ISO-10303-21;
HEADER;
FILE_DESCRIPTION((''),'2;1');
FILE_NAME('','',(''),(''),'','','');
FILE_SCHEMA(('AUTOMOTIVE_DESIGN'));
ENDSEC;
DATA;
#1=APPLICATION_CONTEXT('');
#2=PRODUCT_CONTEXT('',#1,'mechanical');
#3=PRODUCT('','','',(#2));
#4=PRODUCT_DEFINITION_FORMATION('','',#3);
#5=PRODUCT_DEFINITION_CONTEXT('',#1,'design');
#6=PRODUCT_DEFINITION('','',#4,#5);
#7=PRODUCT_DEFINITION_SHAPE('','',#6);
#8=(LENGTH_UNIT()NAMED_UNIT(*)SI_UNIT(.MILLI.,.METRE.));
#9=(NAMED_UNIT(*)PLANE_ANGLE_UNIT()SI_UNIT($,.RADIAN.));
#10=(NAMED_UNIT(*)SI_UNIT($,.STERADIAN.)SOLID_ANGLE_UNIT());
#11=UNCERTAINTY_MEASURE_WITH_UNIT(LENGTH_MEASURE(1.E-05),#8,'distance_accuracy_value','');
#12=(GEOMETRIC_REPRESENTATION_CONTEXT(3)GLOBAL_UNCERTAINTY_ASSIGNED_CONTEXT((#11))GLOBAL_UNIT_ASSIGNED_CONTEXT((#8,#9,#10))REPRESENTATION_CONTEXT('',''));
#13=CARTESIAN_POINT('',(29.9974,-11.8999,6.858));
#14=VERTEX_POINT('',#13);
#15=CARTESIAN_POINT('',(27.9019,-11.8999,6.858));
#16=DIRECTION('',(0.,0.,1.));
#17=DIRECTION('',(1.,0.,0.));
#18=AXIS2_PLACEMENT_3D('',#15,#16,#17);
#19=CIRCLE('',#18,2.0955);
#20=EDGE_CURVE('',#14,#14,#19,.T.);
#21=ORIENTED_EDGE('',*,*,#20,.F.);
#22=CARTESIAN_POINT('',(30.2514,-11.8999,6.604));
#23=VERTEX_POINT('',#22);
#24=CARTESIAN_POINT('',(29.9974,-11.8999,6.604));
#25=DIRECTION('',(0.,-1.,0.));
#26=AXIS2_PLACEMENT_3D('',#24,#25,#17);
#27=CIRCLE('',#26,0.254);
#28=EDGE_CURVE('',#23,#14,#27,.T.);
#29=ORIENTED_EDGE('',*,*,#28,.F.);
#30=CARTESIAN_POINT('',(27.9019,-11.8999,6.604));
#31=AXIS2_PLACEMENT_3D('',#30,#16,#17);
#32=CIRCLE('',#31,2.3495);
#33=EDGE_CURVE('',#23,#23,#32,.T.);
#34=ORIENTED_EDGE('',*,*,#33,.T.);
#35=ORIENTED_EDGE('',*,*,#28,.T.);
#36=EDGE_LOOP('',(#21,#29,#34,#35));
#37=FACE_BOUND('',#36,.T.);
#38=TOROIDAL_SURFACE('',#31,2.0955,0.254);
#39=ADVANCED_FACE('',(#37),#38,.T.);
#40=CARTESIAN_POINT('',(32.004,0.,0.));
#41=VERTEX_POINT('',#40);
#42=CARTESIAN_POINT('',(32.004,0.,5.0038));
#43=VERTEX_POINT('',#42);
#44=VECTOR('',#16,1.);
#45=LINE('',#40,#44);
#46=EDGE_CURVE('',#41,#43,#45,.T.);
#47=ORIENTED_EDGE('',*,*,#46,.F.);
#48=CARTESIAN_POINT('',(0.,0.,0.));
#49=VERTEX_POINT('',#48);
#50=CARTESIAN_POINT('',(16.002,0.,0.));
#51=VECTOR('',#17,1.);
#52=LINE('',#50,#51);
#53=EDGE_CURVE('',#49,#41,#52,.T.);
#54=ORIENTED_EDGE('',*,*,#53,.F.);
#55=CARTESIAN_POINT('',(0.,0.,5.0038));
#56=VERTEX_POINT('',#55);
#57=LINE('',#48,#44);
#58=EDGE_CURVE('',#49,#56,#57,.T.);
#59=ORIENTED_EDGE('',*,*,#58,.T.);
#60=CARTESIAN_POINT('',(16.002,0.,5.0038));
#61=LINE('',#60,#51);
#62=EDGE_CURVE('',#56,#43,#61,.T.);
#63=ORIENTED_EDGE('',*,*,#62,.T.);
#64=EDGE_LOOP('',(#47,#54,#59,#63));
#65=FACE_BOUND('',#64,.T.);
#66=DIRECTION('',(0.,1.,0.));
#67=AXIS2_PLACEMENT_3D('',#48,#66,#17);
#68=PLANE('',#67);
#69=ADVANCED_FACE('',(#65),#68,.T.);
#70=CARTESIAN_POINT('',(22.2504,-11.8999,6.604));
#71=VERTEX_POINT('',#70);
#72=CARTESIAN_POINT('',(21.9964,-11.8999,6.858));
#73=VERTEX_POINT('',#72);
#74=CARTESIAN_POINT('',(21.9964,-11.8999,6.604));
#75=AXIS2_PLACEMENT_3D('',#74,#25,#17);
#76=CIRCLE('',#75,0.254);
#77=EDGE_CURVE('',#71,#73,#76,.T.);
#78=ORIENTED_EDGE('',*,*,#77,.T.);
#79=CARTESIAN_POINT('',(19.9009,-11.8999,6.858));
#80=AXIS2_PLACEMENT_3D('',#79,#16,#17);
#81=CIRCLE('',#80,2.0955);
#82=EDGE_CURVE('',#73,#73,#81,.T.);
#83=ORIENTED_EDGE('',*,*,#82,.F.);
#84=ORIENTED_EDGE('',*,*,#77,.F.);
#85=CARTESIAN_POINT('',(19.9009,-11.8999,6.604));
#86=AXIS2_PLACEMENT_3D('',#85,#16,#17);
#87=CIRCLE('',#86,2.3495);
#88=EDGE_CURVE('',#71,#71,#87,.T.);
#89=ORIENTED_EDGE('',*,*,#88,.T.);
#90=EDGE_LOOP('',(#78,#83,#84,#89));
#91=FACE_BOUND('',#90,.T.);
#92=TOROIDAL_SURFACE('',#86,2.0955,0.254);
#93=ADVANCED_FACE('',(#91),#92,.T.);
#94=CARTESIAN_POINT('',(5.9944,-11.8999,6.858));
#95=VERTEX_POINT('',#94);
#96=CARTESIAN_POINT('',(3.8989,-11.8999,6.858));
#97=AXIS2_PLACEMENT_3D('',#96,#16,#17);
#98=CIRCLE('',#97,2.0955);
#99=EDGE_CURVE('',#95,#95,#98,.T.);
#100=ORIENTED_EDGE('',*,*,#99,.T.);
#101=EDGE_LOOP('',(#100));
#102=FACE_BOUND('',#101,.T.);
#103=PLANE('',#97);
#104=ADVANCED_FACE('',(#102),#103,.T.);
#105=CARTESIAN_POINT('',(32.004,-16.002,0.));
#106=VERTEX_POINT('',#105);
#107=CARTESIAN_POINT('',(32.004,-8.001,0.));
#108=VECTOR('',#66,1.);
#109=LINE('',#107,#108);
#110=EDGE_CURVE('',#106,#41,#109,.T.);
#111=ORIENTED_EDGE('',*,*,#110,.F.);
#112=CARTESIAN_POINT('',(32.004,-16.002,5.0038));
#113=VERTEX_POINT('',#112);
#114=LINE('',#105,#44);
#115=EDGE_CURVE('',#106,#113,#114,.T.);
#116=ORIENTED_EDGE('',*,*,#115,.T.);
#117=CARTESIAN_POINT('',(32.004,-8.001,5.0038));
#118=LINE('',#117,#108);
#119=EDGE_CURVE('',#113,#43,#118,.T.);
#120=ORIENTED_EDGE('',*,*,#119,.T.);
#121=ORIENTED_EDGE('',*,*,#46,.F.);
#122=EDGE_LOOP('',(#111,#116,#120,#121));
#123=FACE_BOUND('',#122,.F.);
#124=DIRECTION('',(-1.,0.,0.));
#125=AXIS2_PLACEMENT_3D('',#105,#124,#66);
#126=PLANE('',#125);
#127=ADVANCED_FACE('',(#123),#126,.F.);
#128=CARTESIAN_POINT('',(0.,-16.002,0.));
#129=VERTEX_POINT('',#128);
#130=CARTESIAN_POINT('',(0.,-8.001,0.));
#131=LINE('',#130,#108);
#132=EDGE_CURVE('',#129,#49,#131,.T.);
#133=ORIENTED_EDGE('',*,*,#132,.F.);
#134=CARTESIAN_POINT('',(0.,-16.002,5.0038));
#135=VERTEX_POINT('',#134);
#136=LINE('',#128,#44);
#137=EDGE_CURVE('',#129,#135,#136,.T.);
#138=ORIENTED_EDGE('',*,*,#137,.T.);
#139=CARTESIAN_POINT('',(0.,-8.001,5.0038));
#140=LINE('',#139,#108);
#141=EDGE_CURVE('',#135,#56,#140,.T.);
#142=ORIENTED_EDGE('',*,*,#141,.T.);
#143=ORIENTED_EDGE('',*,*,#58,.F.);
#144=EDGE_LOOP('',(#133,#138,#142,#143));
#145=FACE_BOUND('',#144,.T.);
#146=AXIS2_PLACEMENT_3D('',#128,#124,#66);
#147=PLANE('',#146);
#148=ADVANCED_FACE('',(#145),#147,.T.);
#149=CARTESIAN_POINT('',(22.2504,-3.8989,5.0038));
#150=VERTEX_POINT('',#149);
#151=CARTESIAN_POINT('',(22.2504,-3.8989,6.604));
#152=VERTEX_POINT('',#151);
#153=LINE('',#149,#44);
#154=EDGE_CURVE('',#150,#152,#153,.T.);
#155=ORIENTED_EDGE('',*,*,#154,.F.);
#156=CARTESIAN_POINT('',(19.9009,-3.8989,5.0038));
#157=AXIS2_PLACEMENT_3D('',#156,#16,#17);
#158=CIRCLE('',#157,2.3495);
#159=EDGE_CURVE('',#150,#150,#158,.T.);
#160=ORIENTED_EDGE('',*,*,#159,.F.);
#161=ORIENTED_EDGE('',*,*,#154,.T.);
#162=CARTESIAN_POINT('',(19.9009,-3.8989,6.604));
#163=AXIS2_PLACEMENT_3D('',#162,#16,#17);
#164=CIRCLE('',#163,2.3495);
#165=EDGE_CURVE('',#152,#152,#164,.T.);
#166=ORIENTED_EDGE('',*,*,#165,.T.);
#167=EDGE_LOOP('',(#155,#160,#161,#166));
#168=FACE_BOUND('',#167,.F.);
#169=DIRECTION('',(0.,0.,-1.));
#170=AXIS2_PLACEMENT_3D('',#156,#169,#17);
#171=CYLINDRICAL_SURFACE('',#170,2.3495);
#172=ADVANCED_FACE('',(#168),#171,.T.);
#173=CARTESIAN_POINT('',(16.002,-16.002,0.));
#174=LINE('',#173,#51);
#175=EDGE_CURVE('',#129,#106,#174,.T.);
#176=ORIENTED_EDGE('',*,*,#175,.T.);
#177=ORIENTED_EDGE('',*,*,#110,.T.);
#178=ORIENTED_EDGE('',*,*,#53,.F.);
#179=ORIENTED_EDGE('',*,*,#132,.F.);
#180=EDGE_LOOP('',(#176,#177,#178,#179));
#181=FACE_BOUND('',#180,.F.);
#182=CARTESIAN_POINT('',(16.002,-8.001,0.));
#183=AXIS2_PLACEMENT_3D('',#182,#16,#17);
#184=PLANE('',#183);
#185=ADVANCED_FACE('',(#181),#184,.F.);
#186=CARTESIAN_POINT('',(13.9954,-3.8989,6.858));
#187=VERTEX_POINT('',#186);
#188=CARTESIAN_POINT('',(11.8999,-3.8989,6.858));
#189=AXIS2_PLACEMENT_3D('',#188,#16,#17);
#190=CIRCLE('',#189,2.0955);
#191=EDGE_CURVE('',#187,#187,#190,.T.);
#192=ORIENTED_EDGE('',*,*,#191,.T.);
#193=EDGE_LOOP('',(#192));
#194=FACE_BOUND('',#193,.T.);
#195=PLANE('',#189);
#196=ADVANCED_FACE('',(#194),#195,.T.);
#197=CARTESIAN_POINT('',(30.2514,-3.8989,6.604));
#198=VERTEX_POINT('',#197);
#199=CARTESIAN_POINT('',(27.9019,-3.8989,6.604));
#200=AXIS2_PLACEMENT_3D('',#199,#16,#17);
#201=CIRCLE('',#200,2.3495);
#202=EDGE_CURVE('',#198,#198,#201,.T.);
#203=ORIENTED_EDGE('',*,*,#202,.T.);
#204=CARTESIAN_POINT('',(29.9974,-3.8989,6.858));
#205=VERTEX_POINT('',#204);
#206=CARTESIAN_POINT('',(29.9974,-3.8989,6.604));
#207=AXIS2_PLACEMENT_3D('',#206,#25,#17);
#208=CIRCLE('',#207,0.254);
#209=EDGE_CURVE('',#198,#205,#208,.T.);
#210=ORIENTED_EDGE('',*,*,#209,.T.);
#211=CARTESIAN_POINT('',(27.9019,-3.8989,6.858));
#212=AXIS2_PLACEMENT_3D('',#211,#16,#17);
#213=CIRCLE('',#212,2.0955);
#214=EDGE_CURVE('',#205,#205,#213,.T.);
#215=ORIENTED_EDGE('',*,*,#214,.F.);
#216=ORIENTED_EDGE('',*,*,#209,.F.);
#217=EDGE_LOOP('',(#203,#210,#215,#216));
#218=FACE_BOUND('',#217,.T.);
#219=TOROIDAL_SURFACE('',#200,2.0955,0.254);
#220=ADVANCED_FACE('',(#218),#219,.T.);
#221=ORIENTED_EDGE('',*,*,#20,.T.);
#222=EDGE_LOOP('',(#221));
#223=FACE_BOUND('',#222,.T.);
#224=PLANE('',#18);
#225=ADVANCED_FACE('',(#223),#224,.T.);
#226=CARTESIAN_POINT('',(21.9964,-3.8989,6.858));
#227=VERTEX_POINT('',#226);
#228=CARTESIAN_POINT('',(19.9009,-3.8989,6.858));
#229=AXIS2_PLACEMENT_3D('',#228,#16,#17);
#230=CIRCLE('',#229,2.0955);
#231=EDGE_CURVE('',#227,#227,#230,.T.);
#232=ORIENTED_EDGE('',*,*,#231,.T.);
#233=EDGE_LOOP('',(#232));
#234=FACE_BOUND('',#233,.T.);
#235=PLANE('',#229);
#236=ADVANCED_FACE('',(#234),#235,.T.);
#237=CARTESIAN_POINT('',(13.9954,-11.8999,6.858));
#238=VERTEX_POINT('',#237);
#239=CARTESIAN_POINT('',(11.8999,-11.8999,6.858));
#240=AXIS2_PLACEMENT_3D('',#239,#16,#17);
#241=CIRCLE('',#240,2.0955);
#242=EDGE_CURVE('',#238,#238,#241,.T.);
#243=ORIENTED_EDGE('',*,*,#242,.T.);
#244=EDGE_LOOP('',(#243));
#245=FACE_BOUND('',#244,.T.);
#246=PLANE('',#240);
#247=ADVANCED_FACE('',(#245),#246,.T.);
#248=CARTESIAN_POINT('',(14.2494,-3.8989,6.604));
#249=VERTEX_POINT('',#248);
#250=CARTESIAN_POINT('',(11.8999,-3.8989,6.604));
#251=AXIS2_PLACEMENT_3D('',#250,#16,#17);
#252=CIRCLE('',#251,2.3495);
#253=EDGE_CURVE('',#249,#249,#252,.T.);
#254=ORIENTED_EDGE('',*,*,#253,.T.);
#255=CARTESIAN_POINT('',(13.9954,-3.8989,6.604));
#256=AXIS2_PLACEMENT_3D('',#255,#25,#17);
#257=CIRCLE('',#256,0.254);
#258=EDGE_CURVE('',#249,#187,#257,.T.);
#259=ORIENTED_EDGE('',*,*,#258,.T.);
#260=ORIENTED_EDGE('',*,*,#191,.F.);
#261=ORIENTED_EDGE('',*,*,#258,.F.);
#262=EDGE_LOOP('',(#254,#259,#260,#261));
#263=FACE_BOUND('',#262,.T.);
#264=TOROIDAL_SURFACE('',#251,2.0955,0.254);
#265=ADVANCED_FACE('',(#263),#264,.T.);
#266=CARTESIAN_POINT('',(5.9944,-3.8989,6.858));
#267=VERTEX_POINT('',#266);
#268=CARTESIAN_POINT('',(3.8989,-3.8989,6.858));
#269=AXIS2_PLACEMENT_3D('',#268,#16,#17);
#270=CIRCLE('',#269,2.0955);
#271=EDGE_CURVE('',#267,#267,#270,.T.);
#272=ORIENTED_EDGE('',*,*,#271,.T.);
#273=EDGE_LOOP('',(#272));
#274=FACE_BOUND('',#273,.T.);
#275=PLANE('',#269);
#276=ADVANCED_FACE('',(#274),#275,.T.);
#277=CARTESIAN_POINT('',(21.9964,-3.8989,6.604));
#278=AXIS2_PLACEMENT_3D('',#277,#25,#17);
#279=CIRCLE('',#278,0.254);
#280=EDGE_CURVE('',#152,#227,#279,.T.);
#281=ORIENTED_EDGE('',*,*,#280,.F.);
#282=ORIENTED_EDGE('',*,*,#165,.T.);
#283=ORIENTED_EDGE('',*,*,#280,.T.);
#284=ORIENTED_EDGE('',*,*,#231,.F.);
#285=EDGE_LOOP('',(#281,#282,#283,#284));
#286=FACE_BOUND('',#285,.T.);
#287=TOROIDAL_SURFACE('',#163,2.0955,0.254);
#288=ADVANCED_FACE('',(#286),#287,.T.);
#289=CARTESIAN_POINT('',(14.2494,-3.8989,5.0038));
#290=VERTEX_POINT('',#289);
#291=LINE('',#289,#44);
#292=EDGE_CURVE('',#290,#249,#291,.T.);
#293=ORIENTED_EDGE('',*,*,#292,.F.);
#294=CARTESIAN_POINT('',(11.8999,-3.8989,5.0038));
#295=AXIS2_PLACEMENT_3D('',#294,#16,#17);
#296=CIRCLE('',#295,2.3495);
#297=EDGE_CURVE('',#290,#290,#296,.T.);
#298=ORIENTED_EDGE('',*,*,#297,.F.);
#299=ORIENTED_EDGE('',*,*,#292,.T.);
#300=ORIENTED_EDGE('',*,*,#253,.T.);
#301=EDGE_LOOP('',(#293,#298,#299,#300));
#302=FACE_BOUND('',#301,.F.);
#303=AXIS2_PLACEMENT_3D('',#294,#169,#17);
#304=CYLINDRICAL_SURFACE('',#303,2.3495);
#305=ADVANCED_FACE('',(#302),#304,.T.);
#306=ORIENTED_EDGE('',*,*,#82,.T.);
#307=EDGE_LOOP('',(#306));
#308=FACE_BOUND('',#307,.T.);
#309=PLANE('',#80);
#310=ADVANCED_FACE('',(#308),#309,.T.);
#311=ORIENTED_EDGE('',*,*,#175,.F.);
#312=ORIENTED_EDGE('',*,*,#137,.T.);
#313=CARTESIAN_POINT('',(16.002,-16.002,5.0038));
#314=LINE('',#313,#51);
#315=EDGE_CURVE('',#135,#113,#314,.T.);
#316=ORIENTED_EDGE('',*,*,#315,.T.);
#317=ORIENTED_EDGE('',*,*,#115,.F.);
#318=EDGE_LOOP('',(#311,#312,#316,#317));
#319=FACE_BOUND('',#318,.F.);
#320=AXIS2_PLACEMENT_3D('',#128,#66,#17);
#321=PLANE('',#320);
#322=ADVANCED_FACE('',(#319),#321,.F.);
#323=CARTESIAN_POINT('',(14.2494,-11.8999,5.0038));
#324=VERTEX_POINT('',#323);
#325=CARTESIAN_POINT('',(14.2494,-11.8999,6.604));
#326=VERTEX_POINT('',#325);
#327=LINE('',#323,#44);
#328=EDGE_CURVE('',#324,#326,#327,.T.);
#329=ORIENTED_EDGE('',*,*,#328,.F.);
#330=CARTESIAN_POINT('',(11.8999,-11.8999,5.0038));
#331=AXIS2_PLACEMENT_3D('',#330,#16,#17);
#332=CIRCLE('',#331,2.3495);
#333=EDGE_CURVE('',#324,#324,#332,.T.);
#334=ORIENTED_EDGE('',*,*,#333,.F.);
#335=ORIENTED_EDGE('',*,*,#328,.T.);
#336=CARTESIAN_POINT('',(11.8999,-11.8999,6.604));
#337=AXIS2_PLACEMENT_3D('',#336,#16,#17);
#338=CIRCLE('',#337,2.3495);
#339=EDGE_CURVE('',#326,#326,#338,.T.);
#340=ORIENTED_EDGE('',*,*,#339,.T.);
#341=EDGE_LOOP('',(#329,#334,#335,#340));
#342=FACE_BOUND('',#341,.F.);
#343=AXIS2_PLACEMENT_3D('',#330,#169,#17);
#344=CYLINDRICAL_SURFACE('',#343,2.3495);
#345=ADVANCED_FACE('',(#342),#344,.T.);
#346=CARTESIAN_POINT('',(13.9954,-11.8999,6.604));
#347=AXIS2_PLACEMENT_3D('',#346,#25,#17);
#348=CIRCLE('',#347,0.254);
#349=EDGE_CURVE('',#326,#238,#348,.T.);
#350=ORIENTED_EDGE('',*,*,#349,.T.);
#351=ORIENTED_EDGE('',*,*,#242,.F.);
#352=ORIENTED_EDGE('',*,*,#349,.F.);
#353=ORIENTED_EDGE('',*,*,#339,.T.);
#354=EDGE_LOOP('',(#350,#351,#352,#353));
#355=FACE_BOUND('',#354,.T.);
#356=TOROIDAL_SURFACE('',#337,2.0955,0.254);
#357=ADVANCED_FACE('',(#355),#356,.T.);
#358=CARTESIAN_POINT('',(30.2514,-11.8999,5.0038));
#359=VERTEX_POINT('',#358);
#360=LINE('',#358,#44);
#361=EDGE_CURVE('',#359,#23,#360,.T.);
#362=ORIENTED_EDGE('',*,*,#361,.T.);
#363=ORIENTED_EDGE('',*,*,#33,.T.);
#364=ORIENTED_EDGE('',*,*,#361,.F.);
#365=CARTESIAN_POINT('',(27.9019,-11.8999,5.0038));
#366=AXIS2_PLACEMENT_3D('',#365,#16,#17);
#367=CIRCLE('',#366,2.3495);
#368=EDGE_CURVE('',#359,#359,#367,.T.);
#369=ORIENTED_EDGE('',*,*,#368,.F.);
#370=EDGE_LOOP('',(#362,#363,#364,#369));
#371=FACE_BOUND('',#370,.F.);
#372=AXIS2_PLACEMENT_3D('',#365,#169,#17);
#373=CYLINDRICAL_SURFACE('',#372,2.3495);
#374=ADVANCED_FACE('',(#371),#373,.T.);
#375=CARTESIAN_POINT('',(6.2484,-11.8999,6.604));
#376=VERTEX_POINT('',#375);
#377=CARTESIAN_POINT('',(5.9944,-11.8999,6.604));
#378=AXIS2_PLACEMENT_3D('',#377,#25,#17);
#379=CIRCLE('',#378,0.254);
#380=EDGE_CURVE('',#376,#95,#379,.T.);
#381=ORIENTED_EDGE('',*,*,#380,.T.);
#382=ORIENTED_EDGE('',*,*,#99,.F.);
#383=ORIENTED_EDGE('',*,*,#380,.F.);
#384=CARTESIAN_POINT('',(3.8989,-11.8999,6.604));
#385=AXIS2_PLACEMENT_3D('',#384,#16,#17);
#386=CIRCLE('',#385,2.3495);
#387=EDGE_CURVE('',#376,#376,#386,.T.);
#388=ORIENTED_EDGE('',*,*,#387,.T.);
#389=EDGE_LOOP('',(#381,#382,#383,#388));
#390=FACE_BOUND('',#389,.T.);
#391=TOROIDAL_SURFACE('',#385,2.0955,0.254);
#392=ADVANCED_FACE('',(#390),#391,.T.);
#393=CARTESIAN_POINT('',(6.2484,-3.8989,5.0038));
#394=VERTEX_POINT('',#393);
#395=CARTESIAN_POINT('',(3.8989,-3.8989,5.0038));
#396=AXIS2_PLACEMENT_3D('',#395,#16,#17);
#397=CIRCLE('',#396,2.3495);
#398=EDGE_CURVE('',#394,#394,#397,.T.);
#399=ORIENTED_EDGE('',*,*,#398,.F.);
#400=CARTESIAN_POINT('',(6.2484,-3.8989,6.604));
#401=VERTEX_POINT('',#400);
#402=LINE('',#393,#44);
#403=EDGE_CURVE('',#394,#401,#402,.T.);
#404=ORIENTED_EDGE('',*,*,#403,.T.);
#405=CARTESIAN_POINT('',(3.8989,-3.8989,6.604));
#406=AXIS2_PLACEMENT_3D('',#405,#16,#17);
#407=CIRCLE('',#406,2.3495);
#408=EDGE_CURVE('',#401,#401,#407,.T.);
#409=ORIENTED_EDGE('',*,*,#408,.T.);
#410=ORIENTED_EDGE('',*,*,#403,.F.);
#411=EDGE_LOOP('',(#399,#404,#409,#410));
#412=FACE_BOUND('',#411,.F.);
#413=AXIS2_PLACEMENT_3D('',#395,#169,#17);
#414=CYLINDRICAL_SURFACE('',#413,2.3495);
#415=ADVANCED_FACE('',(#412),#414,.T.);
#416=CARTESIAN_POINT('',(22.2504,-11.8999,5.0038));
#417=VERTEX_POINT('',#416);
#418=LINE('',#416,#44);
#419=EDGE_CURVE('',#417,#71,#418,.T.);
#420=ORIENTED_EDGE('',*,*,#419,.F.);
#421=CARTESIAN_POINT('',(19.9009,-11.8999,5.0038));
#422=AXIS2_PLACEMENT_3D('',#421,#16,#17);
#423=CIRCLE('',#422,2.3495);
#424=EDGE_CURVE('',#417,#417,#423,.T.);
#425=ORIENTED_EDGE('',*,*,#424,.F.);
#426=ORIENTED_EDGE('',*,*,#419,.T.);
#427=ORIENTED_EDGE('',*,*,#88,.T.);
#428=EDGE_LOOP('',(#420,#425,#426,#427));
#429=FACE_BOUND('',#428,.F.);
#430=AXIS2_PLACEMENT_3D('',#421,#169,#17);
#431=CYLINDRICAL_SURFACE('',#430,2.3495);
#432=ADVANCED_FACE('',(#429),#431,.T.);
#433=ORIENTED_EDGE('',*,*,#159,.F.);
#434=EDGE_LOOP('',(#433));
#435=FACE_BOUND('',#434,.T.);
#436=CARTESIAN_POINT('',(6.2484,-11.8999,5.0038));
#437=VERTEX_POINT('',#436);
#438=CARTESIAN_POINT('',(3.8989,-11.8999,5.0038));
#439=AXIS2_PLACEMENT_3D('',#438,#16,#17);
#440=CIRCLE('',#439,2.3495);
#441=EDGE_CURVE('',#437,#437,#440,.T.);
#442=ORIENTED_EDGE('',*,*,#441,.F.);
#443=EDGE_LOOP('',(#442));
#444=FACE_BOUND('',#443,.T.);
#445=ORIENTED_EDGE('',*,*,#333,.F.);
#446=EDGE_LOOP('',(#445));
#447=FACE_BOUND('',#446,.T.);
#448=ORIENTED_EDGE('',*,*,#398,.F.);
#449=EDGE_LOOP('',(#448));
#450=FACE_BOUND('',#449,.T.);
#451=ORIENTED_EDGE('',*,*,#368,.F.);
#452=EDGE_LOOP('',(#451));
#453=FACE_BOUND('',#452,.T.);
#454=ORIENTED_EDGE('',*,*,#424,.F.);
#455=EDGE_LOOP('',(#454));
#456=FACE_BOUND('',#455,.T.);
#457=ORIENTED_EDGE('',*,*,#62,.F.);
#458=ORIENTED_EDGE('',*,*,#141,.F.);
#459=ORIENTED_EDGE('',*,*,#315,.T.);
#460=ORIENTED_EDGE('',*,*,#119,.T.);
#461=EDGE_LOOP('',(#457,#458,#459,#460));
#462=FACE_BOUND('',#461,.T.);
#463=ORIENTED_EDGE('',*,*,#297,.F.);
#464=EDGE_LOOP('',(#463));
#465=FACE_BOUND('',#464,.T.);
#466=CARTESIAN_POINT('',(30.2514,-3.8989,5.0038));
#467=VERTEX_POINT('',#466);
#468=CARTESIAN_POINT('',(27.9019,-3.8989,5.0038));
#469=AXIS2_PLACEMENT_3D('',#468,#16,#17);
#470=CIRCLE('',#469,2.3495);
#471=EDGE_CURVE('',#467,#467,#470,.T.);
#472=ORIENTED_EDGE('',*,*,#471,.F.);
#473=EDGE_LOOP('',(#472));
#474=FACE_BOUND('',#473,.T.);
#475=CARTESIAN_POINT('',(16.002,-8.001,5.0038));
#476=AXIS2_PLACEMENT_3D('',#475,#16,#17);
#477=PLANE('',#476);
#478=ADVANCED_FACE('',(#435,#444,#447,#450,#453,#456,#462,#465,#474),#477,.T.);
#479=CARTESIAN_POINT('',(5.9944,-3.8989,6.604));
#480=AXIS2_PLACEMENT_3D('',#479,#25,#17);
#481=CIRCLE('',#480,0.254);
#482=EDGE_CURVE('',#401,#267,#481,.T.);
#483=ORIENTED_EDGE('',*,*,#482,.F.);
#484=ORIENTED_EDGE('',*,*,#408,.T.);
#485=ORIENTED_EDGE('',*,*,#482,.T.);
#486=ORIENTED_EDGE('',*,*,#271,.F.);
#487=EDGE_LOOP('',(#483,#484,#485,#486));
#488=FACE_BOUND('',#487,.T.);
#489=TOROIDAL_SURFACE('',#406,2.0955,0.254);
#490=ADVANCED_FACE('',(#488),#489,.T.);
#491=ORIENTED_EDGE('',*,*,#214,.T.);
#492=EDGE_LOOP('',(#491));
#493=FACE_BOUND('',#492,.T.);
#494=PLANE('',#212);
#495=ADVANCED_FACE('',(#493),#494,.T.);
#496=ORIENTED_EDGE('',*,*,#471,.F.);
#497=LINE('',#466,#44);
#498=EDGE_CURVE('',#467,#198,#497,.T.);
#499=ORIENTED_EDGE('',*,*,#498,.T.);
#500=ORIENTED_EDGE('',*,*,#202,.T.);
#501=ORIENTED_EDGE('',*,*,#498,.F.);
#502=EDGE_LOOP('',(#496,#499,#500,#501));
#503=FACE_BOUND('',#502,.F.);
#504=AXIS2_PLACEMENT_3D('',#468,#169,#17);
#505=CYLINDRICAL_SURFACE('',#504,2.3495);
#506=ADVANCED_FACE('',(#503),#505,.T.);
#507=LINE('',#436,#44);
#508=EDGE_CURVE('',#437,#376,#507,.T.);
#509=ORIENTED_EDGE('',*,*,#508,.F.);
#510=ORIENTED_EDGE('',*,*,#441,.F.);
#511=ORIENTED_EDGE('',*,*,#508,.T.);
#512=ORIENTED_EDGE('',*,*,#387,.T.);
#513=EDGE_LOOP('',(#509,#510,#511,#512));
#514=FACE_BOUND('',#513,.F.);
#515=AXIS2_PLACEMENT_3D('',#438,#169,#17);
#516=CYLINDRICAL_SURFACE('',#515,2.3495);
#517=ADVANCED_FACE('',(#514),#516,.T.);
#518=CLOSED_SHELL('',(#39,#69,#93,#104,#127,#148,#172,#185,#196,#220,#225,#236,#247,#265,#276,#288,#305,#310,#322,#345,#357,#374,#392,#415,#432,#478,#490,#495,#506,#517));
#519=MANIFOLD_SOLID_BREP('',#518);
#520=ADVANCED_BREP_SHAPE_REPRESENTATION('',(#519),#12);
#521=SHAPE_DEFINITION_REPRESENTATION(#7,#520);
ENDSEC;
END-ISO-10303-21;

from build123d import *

# Parameters (mm, degrees)
F0_W     = 32.004
F0_H     = 16.002
F1_DEPTH = 5.0038
F2_R     = 2.3495
F3_DEPTH = 1.8542
F4_R     = 0.254


with BuildPart() as f1:
    # F0 (on Top) → F1 (new body)
    with BuildSketch(Plane.XY):
        with Locations((16.002, -8.001)):
            Rectangle(F0_W, F0_H)
    extrude(amount=F1_DEPTH)

    # F2 (on face) → F3 (join)
    with BuildSketch(Plane.XY.offset(5.0038)):
        with Locations((11.8999, -3.8989)):
            Circle(F2_R)
        with Locations((3.8989, -3.8989)):
            Circle(F2_R)
        with Locations((3.8989, -11.8999)):
            Circle(F2_R)
        with Locations((11.8999, -11.8999)):
            Circle(F2_R)
        with Locations((19.9009, -11.8999)):
            Circle(F2_R)
        with Locations((19.9009, -3.8989)):
            Circle(F2_R)
        with Locations((27.9019, -3.8989)):
            Circle(F2_R)
        with Locations((27.9019, -11.8999)):
            Circle(F2_R)
    extrude(amount=F3_DEPTH)

    # F4
    f4_edges = [f1.edges().sort_by_distance(p)[0] for p in [
        (1.5494, -11.8999, 6.858),
        (1.5494, -3.8989, 6.858),
        (9.5504, -3.8989, 6.858),
        (9.5504, -11.8999, 6.858),
        (17.5514, -11.8999, 6.858),
        (17.5514, -3.8989, 6.858),
        (25.5524, -3.8989, 6.858),
        (25.5524, -11.8999, 6.858),
    ]]
    fillet(f4_edges, radius=F4_R)


solid = f1.part
